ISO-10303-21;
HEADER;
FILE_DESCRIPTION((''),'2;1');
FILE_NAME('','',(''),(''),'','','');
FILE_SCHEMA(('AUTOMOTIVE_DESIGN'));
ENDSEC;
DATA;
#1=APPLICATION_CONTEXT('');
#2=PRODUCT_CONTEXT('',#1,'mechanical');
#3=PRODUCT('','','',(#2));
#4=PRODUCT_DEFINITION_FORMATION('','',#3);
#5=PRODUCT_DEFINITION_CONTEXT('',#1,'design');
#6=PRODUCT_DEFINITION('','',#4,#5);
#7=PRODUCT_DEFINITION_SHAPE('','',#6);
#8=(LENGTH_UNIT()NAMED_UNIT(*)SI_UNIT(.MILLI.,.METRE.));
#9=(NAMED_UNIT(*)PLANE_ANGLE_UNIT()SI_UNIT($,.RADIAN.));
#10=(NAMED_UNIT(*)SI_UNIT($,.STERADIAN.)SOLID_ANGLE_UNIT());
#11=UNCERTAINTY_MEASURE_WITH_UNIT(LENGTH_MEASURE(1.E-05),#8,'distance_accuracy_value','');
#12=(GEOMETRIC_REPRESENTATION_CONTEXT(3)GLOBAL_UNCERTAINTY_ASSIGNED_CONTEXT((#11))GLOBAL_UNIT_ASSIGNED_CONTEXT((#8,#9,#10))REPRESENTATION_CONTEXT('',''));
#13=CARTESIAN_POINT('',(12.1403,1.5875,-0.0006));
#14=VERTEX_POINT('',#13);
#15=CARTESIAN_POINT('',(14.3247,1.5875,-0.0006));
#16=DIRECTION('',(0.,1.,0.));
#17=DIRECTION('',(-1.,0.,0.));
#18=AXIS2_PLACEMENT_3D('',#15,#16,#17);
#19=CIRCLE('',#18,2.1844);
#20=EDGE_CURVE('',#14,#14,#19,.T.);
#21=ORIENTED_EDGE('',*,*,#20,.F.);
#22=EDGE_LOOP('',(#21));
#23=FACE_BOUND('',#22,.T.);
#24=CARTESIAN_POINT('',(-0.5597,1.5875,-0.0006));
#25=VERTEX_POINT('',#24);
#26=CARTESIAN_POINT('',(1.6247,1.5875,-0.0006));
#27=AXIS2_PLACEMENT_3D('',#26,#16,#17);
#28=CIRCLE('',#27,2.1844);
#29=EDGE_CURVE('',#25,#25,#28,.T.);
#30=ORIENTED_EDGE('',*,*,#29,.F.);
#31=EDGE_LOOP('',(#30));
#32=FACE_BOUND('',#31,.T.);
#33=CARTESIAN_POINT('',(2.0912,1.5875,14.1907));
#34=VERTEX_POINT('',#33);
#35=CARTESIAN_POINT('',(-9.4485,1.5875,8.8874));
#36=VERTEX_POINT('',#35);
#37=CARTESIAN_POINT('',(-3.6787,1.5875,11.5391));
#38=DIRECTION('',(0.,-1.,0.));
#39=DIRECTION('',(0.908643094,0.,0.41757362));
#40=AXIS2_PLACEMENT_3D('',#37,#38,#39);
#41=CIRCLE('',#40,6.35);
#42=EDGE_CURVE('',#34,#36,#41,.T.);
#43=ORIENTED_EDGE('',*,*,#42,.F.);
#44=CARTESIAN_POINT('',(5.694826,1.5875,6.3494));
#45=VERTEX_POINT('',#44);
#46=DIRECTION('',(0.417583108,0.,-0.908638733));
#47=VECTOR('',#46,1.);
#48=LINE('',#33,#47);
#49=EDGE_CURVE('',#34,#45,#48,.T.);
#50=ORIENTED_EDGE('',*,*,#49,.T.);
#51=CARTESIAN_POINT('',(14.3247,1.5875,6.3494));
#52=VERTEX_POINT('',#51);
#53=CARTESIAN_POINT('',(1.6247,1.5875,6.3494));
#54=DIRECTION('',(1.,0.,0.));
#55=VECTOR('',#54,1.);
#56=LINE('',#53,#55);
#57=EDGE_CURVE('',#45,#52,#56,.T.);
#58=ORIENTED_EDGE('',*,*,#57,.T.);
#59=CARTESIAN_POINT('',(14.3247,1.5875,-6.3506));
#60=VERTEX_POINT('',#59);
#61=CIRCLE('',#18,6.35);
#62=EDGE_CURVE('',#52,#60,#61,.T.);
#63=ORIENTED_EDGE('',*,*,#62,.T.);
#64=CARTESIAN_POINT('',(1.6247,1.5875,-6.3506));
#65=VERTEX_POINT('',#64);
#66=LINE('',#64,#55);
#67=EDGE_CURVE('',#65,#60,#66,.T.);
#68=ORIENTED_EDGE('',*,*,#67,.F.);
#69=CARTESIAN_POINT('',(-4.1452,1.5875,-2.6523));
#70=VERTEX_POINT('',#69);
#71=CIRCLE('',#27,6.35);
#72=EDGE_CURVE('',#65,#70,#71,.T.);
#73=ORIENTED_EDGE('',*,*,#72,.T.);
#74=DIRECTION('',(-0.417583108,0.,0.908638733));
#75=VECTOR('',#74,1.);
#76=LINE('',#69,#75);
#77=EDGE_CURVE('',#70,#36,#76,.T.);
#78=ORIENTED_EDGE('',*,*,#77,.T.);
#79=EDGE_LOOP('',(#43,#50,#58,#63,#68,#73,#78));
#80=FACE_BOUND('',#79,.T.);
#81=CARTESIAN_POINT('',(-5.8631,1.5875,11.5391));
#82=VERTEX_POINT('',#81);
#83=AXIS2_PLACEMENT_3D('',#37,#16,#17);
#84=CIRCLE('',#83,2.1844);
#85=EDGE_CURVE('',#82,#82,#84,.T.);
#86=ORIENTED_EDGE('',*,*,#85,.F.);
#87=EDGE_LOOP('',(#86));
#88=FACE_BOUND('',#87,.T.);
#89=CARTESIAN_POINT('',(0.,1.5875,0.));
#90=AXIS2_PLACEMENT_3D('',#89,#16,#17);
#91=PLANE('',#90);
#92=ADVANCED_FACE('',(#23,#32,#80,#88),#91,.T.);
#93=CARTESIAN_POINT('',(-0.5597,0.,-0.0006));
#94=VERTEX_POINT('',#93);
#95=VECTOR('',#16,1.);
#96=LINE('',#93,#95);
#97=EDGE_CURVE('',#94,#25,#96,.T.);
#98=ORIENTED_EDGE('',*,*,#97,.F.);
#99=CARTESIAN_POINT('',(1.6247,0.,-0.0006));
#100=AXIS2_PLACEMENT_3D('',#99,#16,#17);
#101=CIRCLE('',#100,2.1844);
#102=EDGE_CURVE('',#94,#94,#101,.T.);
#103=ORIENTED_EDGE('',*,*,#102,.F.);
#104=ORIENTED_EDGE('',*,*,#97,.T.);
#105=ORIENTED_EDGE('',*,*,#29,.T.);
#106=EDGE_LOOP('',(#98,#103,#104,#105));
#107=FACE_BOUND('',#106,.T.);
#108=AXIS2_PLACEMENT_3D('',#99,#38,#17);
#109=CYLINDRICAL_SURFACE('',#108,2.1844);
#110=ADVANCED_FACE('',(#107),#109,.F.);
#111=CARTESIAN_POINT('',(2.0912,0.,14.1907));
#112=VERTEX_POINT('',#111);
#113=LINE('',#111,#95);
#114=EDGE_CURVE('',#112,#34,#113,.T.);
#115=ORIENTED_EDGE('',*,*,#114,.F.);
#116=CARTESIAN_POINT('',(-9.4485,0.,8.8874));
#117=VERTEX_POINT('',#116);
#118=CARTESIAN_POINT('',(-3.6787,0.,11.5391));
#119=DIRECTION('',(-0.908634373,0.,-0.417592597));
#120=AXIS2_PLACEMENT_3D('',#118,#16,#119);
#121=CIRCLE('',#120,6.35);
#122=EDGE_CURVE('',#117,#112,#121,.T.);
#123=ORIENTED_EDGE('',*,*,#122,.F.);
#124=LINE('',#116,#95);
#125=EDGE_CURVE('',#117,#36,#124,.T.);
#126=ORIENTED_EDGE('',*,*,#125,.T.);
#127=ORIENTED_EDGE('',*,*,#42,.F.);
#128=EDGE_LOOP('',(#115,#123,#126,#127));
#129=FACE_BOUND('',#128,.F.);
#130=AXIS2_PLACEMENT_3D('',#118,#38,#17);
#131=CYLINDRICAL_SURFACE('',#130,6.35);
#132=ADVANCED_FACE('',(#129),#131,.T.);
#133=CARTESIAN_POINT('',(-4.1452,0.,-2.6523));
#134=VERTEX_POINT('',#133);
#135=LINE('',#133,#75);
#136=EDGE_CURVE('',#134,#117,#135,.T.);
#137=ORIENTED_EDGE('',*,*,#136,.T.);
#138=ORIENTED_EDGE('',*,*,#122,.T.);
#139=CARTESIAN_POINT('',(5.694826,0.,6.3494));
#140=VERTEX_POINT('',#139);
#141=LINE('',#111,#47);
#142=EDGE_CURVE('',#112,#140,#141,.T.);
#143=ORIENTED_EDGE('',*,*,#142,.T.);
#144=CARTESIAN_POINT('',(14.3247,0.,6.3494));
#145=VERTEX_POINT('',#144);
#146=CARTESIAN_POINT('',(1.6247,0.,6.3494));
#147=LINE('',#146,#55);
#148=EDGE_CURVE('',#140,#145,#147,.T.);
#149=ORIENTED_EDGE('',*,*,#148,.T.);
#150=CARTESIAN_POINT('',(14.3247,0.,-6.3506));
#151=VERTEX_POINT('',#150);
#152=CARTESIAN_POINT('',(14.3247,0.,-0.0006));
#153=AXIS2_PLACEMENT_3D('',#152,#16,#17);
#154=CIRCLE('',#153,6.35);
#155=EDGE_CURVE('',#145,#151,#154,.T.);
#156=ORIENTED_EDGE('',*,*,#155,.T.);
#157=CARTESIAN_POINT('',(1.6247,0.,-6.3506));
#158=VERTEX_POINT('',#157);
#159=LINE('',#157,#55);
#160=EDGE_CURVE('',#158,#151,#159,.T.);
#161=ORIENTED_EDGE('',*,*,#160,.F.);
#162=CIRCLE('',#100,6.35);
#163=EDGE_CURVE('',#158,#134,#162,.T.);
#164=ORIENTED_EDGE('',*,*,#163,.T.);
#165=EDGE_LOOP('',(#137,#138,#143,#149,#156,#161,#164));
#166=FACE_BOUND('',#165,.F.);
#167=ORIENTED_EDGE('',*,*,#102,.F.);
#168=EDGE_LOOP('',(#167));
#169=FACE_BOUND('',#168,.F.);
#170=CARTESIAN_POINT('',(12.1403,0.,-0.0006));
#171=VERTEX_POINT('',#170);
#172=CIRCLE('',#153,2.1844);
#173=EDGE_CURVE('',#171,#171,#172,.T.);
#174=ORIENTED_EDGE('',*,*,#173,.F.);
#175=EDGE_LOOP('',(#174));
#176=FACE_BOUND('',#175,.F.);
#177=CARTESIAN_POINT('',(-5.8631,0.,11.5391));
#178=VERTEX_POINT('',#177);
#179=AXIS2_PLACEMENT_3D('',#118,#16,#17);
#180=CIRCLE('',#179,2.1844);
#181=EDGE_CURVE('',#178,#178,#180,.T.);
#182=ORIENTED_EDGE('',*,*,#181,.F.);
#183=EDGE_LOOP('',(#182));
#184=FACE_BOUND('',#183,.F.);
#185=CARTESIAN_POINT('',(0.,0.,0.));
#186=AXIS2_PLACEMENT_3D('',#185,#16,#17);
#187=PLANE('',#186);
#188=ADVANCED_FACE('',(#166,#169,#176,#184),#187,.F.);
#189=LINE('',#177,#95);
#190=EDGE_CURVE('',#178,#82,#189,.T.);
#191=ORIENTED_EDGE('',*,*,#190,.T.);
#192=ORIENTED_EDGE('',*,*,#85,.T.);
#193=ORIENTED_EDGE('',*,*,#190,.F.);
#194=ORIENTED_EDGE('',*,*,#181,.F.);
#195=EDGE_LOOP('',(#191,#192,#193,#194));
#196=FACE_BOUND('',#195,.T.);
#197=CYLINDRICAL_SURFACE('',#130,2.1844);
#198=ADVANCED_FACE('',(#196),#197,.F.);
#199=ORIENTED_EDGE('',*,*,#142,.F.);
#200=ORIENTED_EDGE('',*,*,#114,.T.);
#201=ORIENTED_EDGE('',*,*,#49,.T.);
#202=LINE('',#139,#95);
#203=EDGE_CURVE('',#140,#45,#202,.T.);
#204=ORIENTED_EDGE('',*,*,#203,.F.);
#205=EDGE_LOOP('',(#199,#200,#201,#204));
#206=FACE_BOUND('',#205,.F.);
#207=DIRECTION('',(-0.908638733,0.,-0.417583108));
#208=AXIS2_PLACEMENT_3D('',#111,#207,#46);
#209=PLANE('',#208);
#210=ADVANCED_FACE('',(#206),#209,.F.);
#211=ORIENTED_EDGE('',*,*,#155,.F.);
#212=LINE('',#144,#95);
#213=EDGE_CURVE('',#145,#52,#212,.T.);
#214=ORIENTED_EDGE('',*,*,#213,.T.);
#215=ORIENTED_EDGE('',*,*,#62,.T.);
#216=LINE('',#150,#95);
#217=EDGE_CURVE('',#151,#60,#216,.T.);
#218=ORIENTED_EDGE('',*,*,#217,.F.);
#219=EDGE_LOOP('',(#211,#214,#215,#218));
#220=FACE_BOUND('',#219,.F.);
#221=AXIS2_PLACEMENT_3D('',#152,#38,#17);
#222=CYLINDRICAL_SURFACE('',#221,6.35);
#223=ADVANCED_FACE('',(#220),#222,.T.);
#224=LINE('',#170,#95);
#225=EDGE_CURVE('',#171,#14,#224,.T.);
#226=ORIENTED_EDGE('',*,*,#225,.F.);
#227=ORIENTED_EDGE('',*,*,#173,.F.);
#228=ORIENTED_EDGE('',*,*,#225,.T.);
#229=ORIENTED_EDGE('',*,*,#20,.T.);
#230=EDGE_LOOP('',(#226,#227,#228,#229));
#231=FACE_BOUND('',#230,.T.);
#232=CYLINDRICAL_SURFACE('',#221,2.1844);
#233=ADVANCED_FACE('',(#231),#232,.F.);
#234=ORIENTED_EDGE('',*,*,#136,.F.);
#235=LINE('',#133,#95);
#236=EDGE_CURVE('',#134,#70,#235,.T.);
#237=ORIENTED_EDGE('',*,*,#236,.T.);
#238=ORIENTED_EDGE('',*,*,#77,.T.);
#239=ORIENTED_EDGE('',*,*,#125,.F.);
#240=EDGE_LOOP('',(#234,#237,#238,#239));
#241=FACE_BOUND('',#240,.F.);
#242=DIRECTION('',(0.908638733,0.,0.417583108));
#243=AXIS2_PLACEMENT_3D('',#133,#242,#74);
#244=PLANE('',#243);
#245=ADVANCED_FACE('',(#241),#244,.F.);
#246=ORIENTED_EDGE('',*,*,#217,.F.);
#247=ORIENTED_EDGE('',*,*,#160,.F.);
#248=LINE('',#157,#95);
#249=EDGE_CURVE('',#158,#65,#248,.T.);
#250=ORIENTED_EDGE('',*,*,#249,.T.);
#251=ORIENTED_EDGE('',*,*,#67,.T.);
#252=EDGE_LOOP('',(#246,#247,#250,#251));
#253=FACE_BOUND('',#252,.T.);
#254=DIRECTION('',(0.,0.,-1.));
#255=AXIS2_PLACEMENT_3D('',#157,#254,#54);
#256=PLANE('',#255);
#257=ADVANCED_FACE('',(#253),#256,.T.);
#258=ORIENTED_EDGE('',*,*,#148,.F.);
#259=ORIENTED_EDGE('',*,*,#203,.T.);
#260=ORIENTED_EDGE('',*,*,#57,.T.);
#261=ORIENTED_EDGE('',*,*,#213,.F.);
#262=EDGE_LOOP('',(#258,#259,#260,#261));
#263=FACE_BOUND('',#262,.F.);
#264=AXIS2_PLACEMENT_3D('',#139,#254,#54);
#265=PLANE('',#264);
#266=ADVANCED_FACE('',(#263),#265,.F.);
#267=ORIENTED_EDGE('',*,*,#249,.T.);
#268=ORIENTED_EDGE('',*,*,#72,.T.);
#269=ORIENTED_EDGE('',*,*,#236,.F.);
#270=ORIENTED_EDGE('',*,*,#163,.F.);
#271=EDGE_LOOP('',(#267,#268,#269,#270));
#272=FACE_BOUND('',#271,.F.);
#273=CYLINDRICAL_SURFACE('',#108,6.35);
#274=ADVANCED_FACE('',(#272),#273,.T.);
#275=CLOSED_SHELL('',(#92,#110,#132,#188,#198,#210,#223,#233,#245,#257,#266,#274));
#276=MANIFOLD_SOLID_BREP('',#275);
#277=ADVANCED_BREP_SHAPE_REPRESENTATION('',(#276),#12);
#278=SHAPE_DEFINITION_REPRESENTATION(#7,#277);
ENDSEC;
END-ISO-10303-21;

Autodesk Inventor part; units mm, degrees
ref_plane "YZ Plane" through (0, 0, 0) normal (1, 0, 0) x (0, 1, 0)
ref_plane "XZ Plane" through (0, 0, 0) normal (0, 1, 0) x (-1, 0, 0)
ref_plane "XY Plane" through (0, 0, 0) normal (0, 0, 1) x (1, 0, 0)
sketch "Sketch1" plane through (0, 0, 0) normal (0, 1, 0) x (-1, 0, 0)
  circle A0 centre (-14.3247, -0.0006) radius 2.1844
  circle A1 centre (-1.6247, -0.0006) radius 2.1844
  circle A2 centre (3.6787, 11.5391) radius 2.1844
  circle A3 centre (3.6787, 11.5391) radius 6.35
  circle A4 centre (-1.6247, -0.0006) radius 6.35
  circle A5 centre (-14.3247, -0.0006) radius 6.35
  line L0 (-1.6247, -6.3506) -> (-14.3247, -6.3506)
  line L1 (4.1452, -2.6523) -> (9.4485, 8.8874)
  line L2 (-2.0912, 14.1907) -> (-7.3945, 2.651)
  line L3 (-1.6247, 6.3494) -> (-14.3247, 6.3494)
  point P0 (0, 0)
  point P1 (0.252, 16.8851)
  point P2 (-17.7513, 5.3454)
  point P3 (-7.9747, -0.0006)
  point P4 (1.027, 5.7692)
  point P5 (-5.6949, 6.3494)
  dimension "d0" = 12.7
  dimension "d1" = 12.7
  dimension "d2" = 12.7
extrude "Extrusion1" add sketch "Sketch1" along normal blind 1.5875
properties part number "lbL-channelSupport"
